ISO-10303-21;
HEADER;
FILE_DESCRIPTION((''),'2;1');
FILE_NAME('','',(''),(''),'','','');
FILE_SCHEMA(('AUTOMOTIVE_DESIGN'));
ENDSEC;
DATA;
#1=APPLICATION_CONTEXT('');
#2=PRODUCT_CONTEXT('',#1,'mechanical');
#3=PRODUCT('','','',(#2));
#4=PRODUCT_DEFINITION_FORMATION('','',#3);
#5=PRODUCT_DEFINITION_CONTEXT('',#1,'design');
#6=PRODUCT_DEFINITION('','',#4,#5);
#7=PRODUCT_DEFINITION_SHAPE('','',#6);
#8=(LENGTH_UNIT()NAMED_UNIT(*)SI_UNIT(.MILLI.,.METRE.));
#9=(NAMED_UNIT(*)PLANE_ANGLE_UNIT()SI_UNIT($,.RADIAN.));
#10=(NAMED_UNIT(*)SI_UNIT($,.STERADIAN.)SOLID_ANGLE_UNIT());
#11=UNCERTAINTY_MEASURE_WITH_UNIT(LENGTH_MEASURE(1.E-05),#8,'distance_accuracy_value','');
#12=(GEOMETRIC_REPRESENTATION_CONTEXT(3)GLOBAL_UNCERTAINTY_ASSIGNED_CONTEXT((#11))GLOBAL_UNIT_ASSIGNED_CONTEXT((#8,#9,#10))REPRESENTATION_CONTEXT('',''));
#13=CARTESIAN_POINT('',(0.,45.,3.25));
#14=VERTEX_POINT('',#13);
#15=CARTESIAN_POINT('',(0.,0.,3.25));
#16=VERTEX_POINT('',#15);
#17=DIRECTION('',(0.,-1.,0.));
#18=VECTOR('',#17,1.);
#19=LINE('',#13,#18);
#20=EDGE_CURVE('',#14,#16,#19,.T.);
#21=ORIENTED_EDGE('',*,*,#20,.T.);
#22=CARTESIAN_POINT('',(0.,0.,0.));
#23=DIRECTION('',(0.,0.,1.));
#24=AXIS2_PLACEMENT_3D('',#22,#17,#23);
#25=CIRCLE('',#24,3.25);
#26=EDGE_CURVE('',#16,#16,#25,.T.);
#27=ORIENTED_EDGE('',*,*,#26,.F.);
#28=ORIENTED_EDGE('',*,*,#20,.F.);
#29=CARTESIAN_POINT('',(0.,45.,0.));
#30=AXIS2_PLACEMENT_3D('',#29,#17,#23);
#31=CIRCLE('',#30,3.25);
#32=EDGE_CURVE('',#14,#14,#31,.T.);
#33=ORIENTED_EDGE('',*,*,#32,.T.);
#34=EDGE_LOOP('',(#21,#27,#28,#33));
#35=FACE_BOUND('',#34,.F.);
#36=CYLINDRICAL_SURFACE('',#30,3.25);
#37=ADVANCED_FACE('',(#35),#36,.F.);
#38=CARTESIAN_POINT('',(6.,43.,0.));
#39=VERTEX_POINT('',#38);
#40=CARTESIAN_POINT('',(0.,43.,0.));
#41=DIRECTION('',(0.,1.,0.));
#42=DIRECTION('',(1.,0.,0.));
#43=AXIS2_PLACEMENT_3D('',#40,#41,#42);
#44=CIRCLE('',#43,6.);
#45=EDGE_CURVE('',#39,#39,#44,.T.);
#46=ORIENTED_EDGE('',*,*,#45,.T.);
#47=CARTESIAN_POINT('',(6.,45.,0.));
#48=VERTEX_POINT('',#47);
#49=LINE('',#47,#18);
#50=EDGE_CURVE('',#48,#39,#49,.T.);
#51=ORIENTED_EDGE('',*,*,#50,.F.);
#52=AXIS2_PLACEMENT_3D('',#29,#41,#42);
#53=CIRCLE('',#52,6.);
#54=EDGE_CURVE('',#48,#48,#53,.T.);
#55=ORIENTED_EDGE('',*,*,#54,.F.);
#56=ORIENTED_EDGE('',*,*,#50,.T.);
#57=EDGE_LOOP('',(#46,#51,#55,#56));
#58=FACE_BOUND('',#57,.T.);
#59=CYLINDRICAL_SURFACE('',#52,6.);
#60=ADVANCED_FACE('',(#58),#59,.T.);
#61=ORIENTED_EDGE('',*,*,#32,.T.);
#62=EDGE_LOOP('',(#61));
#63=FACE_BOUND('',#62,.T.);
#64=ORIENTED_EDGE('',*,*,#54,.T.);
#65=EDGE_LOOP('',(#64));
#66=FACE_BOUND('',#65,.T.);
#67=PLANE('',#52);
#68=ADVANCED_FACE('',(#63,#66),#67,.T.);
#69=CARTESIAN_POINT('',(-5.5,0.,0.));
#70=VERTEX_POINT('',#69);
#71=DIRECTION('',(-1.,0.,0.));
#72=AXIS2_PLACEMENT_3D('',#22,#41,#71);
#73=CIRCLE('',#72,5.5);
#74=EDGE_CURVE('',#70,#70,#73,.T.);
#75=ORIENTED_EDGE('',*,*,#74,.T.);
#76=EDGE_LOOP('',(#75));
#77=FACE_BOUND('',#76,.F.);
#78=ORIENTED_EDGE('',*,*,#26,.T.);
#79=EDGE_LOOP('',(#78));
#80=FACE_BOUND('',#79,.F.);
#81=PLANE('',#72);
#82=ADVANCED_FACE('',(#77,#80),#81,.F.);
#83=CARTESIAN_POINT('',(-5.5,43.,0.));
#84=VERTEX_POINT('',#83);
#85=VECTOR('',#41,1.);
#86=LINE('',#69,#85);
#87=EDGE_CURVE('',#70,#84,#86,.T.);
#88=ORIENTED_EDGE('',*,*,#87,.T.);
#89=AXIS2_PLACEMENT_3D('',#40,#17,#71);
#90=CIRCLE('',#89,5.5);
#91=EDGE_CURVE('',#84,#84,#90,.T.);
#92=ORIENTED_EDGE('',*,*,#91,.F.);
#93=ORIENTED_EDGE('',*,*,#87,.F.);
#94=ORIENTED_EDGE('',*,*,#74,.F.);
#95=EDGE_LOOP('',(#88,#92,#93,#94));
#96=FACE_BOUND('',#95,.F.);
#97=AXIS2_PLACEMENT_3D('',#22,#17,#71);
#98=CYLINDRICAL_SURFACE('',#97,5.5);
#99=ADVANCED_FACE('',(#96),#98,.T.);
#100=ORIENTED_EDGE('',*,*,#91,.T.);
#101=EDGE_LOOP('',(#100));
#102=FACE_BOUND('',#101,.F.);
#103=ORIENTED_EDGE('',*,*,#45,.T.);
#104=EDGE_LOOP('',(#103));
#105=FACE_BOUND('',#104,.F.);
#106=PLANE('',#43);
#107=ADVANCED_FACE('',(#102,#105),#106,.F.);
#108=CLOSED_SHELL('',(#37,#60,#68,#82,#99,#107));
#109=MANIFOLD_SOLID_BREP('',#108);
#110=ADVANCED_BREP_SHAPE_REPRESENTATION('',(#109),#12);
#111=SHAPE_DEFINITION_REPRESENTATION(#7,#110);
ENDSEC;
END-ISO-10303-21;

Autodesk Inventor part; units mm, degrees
ref_plane "YZ Plane" through (0, 0, 0) normal (1, 0, 0) x (0, 1, 0)
ref_plane "XZ Plane" through (0, 0, 0) normal (0, 1, 0) x (-1, 0, 0)
ref_plane "XY Plane" through (0, 0, 0) normal (0, 0, 1) x (1, 0, 0)
sketch "Szkic1" plane through (0, 0, 0) normal (0, 1, 0) x (-1, 0, 0)
  circle A0 centre (0, 0) radius 5.5
  dimension "d0" = 11
extrude "Wyciągnięcie proste1" add sketch "Szkic1" along normal blind 45
sketch "Szkic2" plane through (0, 45, 0) normal (0, 1, 0) x (1, 0, 0)
  circle A0 centre (0, 0) radius 6
  dimension "d3" = 12
extrude "Wyciągnięcie proste2" add sketch "Szkic2" against normal blind 2
sketch "Szkic3" plane through (0, 45, 0) normal (0, 1, 0) x (1, 0, 0)
  point P0 (0, 0)
  point P1 (0, 0)
hole "Otwór1" at (0, 45, 0) direction (0, -1, 0) diameter 6.5 end through all
properties part number "Jack_srodek"
